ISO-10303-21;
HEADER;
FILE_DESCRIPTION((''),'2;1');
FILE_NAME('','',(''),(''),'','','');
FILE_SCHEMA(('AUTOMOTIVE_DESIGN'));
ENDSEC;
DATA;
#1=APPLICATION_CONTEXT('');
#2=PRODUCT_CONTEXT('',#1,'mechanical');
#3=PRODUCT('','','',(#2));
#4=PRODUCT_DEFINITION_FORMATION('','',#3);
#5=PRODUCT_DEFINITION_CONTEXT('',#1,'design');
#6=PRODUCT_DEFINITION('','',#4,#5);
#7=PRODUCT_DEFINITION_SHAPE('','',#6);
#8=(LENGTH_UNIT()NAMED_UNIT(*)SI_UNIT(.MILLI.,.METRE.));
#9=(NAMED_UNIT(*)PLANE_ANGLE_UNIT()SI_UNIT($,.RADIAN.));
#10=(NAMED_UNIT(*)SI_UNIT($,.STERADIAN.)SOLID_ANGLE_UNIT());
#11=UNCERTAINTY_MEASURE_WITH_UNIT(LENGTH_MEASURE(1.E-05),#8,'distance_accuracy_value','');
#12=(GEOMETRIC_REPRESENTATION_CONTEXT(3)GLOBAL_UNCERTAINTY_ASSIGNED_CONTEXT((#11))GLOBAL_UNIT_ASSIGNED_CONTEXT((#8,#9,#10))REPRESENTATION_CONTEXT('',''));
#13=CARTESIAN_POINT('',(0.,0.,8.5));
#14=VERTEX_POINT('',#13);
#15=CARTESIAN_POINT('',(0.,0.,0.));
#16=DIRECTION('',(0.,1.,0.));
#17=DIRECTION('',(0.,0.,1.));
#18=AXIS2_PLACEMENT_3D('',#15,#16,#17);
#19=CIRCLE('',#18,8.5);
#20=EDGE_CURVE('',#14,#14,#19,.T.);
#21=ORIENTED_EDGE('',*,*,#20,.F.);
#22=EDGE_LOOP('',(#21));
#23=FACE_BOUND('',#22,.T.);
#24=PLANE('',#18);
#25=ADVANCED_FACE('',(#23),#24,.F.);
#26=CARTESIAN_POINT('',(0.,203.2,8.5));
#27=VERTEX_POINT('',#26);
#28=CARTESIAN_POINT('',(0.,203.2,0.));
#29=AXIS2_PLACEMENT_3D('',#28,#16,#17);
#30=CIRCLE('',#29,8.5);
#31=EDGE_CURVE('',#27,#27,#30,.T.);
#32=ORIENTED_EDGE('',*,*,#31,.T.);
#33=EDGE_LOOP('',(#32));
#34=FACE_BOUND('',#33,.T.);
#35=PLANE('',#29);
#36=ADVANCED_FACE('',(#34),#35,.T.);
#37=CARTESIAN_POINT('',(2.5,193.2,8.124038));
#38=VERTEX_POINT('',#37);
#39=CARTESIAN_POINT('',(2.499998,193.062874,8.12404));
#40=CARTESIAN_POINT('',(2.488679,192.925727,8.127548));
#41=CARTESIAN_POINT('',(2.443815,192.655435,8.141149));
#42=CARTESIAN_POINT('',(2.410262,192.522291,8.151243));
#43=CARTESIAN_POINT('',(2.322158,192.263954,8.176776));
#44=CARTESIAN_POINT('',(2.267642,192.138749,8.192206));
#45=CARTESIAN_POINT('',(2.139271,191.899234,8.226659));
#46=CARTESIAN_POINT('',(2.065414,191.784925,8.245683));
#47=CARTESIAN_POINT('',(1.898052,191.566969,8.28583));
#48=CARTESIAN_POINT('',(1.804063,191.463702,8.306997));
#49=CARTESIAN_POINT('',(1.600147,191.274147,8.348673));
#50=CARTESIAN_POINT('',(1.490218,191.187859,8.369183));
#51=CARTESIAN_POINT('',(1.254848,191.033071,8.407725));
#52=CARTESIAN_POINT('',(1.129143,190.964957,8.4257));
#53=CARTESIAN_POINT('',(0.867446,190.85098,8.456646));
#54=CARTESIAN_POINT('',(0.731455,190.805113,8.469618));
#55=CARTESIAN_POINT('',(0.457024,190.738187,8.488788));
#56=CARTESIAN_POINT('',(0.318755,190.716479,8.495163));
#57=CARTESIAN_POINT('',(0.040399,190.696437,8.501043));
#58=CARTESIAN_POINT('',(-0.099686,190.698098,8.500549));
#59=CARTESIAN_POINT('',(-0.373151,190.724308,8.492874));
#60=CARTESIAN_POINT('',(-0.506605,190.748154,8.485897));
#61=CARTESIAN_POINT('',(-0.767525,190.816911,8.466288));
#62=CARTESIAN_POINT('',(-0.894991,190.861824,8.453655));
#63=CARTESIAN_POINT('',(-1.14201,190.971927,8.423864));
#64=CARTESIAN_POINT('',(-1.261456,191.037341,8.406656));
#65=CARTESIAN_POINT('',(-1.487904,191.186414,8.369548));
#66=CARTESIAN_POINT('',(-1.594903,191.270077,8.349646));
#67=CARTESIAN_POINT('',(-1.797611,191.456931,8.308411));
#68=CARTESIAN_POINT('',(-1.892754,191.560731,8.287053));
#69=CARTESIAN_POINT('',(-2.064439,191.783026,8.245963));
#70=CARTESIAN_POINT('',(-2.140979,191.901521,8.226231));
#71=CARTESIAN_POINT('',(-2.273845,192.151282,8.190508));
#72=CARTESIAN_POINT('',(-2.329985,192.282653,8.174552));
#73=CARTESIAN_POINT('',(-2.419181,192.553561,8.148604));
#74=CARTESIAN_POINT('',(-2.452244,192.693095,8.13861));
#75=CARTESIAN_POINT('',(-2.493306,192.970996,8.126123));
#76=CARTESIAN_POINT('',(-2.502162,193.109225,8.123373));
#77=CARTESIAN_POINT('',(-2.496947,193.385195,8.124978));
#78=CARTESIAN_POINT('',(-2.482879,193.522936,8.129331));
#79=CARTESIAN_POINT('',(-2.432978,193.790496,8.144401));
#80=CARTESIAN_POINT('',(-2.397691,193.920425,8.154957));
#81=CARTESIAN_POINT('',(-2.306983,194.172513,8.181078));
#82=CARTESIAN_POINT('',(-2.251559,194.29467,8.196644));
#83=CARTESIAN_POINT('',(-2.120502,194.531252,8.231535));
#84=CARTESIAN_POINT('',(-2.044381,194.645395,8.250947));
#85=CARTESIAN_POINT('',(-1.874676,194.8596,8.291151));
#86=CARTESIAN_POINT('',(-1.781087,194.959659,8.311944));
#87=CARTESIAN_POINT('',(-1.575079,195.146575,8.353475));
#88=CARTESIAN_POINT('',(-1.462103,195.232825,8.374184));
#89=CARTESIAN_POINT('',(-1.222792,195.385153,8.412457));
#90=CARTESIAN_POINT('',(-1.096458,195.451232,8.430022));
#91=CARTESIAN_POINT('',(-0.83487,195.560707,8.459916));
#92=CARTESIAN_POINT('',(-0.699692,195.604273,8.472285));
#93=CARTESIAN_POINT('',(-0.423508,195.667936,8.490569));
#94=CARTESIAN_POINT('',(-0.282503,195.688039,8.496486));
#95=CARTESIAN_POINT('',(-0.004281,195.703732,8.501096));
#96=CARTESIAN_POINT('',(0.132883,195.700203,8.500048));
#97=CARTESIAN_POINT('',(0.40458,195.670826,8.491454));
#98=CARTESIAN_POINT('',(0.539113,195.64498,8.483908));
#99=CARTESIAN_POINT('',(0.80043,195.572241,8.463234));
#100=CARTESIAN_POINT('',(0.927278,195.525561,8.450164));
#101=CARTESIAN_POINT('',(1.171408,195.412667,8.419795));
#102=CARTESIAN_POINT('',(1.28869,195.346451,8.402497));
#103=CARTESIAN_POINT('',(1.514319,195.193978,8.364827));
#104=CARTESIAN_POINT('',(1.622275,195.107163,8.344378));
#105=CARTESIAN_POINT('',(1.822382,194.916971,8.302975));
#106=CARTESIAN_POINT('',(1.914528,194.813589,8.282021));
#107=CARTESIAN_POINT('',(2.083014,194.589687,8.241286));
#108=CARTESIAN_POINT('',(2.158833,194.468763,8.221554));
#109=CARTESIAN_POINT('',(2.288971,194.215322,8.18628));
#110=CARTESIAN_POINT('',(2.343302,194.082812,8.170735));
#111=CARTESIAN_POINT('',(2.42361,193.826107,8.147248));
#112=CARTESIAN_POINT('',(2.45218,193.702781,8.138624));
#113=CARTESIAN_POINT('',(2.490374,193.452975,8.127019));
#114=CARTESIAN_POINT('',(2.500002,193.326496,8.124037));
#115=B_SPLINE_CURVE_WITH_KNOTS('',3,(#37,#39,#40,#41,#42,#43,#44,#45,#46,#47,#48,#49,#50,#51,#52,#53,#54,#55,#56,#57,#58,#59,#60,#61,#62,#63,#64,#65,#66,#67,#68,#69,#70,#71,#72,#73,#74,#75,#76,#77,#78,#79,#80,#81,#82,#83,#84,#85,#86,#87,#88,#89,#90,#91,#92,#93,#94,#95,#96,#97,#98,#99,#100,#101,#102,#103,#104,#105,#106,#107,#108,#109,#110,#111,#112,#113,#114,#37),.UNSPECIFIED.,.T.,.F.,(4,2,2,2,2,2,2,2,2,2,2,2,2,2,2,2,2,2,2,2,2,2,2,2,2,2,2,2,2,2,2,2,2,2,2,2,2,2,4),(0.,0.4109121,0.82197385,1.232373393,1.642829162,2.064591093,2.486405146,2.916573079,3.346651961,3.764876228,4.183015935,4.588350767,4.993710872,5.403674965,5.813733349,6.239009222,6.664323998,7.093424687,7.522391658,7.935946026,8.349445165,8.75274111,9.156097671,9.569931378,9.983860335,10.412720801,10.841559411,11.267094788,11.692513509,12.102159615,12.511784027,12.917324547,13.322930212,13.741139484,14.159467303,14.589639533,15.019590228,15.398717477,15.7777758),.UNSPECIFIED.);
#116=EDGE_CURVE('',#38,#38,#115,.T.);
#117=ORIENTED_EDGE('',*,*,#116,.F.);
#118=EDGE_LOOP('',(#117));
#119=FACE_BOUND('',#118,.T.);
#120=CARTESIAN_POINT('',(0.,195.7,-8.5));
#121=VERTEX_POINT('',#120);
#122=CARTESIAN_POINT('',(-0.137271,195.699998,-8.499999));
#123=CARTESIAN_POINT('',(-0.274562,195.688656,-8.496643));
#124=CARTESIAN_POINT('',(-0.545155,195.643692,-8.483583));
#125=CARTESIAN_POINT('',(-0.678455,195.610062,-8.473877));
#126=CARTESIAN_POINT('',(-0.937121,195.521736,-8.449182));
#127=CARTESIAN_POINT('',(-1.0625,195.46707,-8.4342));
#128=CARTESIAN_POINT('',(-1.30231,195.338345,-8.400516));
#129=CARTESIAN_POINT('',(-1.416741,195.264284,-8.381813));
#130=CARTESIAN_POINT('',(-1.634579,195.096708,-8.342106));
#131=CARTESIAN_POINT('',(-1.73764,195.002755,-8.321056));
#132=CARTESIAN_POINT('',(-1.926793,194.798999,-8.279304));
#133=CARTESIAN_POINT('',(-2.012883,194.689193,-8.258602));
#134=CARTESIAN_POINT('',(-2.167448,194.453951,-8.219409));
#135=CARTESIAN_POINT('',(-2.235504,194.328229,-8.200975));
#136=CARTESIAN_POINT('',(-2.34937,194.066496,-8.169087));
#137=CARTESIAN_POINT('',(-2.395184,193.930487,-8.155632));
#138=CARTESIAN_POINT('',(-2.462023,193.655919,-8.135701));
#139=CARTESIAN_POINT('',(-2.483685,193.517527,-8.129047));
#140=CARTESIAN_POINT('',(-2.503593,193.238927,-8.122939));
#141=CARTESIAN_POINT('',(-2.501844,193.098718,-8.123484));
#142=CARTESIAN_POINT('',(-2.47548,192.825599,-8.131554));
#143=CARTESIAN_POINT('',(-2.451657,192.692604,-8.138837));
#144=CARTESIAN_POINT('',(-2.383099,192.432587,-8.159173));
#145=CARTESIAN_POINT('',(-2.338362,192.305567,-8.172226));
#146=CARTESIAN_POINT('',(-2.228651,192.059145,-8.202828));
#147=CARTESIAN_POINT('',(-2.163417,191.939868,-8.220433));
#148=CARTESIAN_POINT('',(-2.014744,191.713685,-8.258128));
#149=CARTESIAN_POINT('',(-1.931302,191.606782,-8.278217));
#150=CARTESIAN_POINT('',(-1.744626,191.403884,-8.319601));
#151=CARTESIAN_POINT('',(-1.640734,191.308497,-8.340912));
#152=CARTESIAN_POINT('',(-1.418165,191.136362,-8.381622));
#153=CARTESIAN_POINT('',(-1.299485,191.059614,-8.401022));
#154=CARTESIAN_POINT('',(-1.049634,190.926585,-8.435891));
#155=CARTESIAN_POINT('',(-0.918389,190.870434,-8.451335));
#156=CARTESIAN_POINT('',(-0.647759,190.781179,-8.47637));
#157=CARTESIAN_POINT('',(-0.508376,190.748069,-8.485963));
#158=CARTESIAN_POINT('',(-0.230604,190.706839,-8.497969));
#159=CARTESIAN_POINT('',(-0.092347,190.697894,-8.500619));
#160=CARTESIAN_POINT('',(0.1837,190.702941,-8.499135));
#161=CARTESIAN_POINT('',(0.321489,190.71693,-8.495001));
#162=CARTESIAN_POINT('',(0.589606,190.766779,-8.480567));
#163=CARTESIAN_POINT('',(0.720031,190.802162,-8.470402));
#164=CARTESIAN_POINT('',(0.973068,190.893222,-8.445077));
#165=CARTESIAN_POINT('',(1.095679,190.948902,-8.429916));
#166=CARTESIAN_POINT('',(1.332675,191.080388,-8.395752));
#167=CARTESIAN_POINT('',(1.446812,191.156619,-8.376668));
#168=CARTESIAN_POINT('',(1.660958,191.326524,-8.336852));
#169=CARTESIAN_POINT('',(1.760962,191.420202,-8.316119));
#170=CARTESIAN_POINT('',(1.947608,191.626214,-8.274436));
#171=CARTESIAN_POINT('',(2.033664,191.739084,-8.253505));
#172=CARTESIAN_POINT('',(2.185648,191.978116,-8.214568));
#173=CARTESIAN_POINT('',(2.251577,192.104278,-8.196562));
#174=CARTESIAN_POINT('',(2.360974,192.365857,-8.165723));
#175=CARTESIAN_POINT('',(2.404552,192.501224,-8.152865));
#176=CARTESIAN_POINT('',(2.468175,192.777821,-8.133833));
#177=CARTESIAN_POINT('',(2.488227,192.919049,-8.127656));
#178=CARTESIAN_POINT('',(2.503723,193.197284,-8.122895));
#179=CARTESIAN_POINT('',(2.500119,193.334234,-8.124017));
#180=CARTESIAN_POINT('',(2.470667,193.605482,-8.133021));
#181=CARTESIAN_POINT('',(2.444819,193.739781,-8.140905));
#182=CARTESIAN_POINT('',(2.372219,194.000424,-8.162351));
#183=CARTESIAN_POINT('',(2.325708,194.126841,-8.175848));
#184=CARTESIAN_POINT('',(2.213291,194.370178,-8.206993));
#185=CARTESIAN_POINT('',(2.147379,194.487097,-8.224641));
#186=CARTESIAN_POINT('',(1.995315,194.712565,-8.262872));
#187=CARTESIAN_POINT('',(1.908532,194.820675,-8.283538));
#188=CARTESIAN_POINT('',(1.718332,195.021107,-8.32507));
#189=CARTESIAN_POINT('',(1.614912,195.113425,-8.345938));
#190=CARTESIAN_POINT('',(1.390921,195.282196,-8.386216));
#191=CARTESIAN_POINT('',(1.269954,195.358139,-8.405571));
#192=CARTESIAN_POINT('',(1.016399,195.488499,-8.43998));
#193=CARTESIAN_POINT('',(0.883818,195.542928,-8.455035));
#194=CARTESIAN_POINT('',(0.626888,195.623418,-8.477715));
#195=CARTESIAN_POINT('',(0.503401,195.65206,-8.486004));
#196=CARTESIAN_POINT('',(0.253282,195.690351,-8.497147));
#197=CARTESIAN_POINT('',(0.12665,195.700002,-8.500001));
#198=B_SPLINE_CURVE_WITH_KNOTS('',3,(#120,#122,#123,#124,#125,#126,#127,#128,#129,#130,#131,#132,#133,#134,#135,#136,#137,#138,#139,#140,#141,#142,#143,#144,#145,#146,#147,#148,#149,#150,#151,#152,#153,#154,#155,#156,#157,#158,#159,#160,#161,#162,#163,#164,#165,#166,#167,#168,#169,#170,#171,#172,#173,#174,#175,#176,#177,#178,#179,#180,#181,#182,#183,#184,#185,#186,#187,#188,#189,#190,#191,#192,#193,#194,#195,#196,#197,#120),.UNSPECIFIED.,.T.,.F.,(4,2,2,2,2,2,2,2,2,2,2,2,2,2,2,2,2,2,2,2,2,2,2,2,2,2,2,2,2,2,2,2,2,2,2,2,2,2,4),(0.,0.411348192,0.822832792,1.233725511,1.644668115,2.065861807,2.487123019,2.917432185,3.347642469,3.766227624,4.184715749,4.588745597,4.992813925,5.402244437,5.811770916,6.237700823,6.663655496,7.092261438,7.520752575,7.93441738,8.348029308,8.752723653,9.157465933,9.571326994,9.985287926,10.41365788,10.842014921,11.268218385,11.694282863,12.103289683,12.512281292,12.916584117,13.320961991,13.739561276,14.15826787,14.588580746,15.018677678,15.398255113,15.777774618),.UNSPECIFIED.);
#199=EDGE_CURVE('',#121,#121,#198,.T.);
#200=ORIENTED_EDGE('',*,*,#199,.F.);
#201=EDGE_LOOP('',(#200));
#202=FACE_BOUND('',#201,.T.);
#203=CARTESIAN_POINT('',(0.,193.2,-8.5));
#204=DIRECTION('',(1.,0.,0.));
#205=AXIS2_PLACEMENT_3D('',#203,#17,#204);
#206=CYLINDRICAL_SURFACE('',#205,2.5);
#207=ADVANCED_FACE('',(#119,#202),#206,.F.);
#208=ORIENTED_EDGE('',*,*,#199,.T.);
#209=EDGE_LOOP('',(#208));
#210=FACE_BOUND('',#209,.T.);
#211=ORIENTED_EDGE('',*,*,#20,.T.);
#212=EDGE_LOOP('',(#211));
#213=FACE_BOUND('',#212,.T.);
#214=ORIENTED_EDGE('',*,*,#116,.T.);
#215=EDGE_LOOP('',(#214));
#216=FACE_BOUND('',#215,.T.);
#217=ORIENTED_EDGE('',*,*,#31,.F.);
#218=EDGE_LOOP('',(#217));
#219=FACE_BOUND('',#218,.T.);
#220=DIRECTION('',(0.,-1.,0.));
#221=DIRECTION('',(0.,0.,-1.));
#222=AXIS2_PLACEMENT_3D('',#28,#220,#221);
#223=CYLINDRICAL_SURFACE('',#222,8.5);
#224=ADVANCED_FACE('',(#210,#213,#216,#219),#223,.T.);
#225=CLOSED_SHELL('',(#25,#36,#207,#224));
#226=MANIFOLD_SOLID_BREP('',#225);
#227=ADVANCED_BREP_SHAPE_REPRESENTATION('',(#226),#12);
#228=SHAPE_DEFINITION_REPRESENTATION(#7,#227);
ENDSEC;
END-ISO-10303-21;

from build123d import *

# Parameters (mm, degrees)
SKETCH1_R               = 8.5
BOSS_EXTRUDE1_DEPTH     = 203.2
CUT_EXTRUDE1_DEPTH      = 205.086966757
CUT_EXTRUDE1_DEPTH_BACK = 205.086966757
SKETCH4_R               = 2.5


with BuildPart() as part:
    # Sketch1 → Boss-Extrude1 (new body)
    with BuildSketch(Plane(origin=(0, 0, 0), x_dir=(1, 0, 0), z_dir=(0, 1, 0))):
        with Locations(Location((0, 0, 0), (0, 0, 270))):
            Circle(SKETCH1_R)
    extrude(amount=BOSS_EXTRUDE1_DEPTH)

    # Sketch4 → Cut-Extrude1 (cut, two sides: drawn at the far end of the back side and taken through both)
    with BuildSketch(Plane.XY.offset(8.5).offset(-CUT_EXTRUDE1_DEPTH_BACK)):
        with Locations(Location((0, 193.2, 0), (0, 0, 89.999999976))):
            Circle(SKETCH4_R)
    extrude(amount=CUT_EXTRUDE1_DEPTH + CUT_EXTRUDE1_DEPTH_BACK, mode=Mode.SUBTRACT)


solid = part.part
